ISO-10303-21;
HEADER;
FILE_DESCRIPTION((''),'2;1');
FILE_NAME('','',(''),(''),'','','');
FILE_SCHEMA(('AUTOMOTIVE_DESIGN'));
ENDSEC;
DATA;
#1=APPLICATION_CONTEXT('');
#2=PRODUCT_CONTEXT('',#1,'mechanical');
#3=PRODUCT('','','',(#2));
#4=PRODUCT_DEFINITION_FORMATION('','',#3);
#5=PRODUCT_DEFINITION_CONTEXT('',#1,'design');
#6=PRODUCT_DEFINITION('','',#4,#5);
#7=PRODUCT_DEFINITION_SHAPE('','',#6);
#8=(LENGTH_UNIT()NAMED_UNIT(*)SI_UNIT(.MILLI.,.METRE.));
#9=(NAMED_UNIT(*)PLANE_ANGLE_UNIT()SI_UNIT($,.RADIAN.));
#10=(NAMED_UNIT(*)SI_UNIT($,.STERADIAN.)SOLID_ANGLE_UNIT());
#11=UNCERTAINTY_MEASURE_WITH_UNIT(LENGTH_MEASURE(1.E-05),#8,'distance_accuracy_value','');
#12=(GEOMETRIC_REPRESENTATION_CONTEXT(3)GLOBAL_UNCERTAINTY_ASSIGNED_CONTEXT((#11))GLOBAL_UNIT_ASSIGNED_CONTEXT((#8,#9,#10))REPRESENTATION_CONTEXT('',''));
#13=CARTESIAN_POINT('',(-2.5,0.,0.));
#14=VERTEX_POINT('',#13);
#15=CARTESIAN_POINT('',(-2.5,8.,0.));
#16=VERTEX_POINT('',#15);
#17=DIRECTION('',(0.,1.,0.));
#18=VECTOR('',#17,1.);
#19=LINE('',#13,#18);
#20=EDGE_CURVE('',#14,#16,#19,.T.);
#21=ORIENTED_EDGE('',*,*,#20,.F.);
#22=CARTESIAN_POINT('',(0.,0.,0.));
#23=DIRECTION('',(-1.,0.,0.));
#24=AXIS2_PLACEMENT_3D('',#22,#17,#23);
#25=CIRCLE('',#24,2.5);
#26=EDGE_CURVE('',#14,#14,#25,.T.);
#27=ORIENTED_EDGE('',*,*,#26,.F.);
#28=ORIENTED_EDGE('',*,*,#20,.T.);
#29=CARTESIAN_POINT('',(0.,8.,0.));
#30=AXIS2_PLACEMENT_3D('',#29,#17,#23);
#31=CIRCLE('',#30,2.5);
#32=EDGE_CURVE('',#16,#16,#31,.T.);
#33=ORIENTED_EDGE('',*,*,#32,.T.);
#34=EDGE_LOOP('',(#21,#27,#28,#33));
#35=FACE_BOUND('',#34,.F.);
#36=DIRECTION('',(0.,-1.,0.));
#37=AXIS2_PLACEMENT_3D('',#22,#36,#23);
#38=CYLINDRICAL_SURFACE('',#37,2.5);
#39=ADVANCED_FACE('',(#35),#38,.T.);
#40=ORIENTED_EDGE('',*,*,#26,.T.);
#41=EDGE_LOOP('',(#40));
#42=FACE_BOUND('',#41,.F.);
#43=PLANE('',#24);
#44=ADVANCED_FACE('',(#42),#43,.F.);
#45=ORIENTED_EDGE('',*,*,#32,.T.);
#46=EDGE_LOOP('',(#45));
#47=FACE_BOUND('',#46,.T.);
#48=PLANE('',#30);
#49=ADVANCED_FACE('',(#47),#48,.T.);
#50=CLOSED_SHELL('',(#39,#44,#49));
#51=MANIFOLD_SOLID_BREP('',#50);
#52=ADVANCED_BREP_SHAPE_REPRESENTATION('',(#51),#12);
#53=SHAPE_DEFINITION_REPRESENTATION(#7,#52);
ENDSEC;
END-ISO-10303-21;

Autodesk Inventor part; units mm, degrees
ref_plane "YZ Plane" through (0, 0, 0) normal (1, 0, 0) x (0, 1, 0)
ref_plane "XZ Plane" through (0, 0, 0) normal (0, 1, 0) x (-1, 0, 0)
ref_plane "XY Plane" through (0, 0, 0) normal (0, 0, 1) x (1, 0, 0)
sketch "Skizze3" plane through (0, 0, 0) normal (0, 1, 0) x (-1, 0, 0)
  circle A0 centre (0, 0) radius 2.5
  dimension "d4" = 5
extrude "Extrusion3" add sketch "Skizze3" along normal blind 8
properties part number "BT001_trajan20_21"
